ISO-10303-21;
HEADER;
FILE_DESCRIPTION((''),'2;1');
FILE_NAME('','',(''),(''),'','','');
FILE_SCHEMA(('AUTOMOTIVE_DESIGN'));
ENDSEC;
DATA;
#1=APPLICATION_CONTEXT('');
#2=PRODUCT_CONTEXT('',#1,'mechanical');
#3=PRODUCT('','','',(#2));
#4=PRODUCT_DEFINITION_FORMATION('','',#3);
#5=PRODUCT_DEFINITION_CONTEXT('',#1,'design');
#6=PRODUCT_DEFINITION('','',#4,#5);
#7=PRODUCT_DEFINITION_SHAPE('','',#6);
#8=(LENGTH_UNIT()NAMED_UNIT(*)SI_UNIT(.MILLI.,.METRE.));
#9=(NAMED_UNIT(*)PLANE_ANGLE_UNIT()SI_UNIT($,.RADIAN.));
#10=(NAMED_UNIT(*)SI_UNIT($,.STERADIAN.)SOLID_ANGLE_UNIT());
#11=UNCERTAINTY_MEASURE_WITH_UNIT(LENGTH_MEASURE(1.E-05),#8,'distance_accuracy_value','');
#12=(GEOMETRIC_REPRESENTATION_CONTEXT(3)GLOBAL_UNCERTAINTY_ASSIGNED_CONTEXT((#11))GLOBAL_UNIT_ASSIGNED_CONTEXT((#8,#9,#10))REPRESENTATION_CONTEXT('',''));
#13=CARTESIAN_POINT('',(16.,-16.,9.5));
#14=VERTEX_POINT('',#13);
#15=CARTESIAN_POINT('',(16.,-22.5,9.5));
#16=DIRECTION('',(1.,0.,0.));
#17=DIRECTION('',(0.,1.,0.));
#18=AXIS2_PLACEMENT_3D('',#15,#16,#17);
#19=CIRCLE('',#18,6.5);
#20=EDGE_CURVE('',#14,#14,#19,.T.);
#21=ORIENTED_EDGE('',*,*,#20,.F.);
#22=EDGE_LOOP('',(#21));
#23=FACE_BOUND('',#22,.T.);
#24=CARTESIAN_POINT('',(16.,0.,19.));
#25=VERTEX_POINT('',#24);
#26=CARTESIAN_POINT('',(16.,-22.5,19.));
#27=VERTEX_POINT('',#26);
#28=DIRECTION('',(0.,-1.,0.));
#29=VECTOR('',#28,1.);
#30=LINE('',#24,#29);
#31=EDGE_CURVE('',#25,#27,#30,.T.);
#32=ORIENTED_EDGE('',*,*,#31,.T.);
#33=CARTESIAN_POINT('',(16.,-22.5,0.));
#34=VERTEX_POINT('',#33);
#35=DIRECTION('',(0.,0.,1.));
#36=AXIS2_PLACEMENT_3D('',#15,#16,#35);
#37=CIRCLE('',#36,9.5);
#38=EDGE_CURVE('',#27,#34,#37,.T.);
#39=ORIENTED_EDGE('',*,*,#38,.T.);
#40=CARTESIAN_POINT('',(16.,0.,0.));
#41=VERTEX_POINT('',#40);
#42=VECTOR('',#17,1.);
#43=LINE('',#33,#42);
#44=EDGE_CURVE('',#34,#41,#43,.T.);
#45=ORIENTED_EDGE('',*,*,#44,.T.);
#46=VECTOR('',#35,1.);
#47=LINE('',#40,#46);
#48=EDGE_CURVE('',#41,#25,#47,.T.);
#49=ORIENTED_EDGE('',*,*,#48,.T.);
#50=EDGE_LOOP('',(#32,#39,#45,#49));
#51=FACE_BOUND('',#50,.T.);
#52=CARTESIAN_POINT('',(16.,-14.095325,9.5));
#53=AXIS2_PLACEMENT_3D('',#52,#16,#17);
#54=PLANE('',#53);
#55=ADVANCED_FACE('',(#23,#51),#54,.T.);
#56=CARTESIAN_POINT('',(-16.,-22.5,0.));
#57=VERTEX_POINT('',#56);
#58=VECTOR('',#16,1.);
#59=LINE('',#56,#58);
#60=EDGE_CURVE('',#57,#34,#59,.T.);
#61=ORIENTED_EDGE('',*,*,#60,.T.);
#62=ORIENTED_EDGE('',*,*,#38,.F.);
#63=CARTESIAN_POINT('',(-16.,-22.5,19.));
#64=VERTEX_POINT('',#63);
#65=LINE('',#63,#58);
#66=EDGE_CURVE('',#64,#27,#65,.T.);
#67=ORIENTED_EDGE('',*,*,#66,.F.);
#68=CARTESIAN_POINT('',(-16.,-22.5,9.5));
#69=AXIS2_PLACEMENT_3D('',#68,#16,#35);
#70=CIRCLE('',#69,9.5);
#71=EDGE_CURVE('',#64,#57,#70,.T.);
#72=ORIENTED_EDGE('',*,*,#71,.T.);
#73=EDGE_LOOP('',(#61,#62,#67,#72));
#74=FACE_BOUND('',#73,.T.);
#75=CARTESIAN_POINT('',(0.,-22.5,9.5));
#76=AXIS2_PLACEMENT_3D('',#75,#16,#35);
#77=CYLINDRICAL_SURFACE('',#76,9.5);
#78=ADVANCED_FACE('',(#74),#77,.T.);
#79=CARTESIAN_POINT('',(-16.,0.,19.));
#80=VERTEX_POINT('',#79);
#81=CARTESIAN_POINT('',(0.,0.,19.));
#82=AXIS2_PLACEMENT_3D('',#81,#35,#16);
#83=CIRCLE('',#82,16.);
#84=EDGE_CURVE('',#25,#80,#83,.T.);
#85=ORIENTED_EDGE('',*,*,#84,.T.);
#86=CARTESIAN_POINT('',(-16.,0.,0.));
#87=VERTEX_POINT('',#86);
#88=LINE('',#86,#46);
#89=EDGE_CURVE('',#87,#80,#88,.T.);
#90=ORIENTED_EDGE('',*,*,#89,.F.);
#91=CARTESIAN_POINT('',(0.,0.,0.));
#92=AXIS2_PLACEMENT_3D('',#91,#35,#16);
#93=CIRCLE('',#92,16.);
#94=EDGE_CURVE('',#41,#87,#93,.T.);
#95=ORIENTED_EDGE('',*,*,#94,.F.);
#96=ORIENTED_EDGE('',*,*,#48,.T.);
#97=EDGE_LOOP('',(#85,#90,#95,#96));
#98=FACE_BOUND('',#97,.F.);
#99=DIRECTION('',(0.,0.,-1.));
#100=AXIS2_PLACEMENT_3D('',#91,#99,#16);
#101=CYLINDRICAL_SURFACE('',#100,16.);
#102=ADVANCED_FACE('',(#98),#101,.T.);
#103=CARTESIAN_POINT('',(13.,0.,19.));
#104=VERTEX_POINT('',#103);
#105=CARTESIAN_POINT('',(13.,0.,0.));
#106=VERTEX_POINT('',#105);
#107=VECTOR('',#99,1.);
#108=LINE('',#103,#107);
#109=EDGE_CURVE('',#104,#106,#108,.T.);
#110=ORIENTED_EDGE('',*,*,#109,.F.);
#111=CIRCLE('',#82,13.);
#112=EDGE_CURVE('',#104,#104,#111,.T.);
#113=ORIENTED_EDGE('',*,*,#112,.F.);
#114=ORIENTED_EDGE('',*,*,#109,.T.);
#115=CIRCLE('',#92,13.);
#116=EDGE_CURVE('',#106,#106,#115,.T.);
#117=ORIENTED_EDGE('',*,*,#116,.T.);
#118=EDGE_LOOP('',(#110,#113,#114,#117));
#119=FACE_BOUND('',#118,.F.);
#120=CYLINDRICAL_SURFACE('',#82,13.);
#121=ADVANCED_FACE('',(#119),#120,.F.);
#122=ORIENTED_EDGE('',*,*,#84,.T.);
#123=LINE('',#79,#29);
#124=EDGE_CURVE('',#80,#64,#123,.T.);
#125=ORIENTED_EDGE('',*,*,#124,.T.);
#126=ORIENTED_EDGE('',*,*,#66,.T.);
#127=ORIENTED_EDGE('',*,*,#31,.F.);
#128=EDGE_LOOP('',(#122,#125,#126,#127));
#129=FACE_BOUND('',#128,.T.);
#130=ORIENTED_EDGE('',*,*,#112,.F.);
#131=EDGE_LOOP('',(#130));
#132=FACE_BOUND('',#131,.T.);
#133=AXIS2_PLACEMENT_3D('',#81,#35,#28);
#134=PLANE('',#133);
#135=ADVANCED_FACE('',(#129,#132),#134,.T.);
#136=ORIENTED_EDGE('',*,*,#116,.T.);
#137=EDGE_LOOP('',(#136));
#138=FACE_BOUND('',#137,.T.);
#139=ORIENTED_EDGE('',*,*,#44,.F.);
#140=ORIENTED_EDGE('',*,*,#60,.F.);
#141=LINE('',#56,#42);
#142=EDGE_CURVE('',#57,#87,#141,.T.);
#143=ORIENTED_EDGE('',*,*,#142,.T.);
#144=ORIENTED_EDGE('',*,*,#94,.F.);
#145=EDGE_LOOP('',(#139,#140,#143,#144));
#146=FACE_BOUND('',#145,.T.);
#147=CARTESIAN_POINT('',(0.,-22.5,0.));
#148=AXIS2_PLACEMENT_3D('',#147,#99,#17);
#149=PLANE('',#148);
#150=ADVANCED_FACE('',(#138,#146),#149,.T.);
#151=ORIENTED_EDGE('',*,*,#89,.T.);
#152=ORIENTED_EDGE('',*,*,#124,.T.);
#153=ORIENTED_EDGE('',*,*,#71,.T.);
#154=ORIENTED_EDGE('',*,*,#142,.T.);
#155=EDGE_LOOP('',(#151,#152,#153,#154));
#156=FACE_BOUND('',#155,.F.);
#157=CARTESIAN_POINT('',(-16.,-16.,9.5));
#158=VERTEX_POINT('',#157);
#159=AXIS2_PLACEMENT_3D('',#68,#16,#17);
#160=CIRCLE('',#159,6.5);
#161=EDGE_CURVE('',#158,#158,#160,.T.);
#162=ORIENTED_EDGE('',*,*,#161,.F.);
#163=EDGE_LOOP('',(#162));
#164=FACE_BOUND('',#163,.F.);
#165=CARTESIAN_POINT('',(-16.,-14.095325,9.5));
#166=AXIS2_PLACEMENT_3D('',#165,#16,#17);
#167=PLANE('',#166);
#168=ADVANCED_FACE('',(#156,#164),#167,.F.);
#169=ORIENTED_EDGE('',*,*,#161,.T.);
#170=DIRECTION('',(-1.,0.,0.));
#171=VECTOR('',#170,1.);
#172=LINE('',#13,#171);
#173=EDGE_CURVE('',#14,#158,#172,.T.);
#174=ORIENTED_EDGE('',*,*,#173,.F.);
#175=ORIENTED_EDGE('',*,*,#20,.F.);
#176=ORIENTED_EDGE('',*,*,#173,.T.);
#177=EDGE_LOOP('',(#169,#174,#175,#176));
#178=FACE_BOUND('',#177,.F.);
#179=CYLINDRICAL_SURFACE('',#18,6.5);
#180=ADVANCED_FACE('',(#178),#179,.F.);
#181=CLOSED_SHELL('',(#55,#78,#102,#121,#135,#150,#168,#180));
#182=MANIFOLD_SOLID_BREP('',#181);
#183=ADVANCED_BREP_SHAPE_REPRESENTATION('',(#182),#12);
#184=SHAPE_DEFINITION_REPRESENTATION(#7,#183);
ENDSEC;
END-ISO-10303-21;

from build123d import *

# Parameters (mm, degrees)
F0_R     = 16
F1_DEPTH = 19
F3_DEPTH = 16
F4_R     = 13
F5_DEPTH = 25
F6_R     = 6.5
F7_DEPTH = 32.001


with BuildPart() as f1:
    # F0 (on Top) → F1 (new body)
    with BuildSketch(Plane.XY):
        Circle(F0_R)
    extrude(amount=F1_DEPTH)

    # F2 (on Right) → F3 (join, symmetric)
    with BuildSketch(Plane.YZ):
        with BuildLine():
            Line((0, 19), (-22.5, 19))
            ThreePointArc((-22.5, 19), (-32, 9.5), (-22.5, 0))
            Line((-22.5, 0), (0, 0))
            Line((0, 0), (0, 19))
        make_face()
    extrude(amount=F3_DEPTH, both=True)

    # F4 (on face) → F5 (cut)
    with BuildSketch(Plane.XY.offset(19)):
        Circle(F4_R)
    extrude(amount=-F5_DEPTH, mode=Mode.SUBTRACT)

    # F6 (on face) → F7 (cut, through all)
    with BuildSketch(Plane.YZ.offset(16)):
        with Locations((-22.5, 9.5)):
            Circle(F6_R)
    extrude(amount=-F7_DEPTH, mode=Mode.SUBTRACT)


solid = f1.part
